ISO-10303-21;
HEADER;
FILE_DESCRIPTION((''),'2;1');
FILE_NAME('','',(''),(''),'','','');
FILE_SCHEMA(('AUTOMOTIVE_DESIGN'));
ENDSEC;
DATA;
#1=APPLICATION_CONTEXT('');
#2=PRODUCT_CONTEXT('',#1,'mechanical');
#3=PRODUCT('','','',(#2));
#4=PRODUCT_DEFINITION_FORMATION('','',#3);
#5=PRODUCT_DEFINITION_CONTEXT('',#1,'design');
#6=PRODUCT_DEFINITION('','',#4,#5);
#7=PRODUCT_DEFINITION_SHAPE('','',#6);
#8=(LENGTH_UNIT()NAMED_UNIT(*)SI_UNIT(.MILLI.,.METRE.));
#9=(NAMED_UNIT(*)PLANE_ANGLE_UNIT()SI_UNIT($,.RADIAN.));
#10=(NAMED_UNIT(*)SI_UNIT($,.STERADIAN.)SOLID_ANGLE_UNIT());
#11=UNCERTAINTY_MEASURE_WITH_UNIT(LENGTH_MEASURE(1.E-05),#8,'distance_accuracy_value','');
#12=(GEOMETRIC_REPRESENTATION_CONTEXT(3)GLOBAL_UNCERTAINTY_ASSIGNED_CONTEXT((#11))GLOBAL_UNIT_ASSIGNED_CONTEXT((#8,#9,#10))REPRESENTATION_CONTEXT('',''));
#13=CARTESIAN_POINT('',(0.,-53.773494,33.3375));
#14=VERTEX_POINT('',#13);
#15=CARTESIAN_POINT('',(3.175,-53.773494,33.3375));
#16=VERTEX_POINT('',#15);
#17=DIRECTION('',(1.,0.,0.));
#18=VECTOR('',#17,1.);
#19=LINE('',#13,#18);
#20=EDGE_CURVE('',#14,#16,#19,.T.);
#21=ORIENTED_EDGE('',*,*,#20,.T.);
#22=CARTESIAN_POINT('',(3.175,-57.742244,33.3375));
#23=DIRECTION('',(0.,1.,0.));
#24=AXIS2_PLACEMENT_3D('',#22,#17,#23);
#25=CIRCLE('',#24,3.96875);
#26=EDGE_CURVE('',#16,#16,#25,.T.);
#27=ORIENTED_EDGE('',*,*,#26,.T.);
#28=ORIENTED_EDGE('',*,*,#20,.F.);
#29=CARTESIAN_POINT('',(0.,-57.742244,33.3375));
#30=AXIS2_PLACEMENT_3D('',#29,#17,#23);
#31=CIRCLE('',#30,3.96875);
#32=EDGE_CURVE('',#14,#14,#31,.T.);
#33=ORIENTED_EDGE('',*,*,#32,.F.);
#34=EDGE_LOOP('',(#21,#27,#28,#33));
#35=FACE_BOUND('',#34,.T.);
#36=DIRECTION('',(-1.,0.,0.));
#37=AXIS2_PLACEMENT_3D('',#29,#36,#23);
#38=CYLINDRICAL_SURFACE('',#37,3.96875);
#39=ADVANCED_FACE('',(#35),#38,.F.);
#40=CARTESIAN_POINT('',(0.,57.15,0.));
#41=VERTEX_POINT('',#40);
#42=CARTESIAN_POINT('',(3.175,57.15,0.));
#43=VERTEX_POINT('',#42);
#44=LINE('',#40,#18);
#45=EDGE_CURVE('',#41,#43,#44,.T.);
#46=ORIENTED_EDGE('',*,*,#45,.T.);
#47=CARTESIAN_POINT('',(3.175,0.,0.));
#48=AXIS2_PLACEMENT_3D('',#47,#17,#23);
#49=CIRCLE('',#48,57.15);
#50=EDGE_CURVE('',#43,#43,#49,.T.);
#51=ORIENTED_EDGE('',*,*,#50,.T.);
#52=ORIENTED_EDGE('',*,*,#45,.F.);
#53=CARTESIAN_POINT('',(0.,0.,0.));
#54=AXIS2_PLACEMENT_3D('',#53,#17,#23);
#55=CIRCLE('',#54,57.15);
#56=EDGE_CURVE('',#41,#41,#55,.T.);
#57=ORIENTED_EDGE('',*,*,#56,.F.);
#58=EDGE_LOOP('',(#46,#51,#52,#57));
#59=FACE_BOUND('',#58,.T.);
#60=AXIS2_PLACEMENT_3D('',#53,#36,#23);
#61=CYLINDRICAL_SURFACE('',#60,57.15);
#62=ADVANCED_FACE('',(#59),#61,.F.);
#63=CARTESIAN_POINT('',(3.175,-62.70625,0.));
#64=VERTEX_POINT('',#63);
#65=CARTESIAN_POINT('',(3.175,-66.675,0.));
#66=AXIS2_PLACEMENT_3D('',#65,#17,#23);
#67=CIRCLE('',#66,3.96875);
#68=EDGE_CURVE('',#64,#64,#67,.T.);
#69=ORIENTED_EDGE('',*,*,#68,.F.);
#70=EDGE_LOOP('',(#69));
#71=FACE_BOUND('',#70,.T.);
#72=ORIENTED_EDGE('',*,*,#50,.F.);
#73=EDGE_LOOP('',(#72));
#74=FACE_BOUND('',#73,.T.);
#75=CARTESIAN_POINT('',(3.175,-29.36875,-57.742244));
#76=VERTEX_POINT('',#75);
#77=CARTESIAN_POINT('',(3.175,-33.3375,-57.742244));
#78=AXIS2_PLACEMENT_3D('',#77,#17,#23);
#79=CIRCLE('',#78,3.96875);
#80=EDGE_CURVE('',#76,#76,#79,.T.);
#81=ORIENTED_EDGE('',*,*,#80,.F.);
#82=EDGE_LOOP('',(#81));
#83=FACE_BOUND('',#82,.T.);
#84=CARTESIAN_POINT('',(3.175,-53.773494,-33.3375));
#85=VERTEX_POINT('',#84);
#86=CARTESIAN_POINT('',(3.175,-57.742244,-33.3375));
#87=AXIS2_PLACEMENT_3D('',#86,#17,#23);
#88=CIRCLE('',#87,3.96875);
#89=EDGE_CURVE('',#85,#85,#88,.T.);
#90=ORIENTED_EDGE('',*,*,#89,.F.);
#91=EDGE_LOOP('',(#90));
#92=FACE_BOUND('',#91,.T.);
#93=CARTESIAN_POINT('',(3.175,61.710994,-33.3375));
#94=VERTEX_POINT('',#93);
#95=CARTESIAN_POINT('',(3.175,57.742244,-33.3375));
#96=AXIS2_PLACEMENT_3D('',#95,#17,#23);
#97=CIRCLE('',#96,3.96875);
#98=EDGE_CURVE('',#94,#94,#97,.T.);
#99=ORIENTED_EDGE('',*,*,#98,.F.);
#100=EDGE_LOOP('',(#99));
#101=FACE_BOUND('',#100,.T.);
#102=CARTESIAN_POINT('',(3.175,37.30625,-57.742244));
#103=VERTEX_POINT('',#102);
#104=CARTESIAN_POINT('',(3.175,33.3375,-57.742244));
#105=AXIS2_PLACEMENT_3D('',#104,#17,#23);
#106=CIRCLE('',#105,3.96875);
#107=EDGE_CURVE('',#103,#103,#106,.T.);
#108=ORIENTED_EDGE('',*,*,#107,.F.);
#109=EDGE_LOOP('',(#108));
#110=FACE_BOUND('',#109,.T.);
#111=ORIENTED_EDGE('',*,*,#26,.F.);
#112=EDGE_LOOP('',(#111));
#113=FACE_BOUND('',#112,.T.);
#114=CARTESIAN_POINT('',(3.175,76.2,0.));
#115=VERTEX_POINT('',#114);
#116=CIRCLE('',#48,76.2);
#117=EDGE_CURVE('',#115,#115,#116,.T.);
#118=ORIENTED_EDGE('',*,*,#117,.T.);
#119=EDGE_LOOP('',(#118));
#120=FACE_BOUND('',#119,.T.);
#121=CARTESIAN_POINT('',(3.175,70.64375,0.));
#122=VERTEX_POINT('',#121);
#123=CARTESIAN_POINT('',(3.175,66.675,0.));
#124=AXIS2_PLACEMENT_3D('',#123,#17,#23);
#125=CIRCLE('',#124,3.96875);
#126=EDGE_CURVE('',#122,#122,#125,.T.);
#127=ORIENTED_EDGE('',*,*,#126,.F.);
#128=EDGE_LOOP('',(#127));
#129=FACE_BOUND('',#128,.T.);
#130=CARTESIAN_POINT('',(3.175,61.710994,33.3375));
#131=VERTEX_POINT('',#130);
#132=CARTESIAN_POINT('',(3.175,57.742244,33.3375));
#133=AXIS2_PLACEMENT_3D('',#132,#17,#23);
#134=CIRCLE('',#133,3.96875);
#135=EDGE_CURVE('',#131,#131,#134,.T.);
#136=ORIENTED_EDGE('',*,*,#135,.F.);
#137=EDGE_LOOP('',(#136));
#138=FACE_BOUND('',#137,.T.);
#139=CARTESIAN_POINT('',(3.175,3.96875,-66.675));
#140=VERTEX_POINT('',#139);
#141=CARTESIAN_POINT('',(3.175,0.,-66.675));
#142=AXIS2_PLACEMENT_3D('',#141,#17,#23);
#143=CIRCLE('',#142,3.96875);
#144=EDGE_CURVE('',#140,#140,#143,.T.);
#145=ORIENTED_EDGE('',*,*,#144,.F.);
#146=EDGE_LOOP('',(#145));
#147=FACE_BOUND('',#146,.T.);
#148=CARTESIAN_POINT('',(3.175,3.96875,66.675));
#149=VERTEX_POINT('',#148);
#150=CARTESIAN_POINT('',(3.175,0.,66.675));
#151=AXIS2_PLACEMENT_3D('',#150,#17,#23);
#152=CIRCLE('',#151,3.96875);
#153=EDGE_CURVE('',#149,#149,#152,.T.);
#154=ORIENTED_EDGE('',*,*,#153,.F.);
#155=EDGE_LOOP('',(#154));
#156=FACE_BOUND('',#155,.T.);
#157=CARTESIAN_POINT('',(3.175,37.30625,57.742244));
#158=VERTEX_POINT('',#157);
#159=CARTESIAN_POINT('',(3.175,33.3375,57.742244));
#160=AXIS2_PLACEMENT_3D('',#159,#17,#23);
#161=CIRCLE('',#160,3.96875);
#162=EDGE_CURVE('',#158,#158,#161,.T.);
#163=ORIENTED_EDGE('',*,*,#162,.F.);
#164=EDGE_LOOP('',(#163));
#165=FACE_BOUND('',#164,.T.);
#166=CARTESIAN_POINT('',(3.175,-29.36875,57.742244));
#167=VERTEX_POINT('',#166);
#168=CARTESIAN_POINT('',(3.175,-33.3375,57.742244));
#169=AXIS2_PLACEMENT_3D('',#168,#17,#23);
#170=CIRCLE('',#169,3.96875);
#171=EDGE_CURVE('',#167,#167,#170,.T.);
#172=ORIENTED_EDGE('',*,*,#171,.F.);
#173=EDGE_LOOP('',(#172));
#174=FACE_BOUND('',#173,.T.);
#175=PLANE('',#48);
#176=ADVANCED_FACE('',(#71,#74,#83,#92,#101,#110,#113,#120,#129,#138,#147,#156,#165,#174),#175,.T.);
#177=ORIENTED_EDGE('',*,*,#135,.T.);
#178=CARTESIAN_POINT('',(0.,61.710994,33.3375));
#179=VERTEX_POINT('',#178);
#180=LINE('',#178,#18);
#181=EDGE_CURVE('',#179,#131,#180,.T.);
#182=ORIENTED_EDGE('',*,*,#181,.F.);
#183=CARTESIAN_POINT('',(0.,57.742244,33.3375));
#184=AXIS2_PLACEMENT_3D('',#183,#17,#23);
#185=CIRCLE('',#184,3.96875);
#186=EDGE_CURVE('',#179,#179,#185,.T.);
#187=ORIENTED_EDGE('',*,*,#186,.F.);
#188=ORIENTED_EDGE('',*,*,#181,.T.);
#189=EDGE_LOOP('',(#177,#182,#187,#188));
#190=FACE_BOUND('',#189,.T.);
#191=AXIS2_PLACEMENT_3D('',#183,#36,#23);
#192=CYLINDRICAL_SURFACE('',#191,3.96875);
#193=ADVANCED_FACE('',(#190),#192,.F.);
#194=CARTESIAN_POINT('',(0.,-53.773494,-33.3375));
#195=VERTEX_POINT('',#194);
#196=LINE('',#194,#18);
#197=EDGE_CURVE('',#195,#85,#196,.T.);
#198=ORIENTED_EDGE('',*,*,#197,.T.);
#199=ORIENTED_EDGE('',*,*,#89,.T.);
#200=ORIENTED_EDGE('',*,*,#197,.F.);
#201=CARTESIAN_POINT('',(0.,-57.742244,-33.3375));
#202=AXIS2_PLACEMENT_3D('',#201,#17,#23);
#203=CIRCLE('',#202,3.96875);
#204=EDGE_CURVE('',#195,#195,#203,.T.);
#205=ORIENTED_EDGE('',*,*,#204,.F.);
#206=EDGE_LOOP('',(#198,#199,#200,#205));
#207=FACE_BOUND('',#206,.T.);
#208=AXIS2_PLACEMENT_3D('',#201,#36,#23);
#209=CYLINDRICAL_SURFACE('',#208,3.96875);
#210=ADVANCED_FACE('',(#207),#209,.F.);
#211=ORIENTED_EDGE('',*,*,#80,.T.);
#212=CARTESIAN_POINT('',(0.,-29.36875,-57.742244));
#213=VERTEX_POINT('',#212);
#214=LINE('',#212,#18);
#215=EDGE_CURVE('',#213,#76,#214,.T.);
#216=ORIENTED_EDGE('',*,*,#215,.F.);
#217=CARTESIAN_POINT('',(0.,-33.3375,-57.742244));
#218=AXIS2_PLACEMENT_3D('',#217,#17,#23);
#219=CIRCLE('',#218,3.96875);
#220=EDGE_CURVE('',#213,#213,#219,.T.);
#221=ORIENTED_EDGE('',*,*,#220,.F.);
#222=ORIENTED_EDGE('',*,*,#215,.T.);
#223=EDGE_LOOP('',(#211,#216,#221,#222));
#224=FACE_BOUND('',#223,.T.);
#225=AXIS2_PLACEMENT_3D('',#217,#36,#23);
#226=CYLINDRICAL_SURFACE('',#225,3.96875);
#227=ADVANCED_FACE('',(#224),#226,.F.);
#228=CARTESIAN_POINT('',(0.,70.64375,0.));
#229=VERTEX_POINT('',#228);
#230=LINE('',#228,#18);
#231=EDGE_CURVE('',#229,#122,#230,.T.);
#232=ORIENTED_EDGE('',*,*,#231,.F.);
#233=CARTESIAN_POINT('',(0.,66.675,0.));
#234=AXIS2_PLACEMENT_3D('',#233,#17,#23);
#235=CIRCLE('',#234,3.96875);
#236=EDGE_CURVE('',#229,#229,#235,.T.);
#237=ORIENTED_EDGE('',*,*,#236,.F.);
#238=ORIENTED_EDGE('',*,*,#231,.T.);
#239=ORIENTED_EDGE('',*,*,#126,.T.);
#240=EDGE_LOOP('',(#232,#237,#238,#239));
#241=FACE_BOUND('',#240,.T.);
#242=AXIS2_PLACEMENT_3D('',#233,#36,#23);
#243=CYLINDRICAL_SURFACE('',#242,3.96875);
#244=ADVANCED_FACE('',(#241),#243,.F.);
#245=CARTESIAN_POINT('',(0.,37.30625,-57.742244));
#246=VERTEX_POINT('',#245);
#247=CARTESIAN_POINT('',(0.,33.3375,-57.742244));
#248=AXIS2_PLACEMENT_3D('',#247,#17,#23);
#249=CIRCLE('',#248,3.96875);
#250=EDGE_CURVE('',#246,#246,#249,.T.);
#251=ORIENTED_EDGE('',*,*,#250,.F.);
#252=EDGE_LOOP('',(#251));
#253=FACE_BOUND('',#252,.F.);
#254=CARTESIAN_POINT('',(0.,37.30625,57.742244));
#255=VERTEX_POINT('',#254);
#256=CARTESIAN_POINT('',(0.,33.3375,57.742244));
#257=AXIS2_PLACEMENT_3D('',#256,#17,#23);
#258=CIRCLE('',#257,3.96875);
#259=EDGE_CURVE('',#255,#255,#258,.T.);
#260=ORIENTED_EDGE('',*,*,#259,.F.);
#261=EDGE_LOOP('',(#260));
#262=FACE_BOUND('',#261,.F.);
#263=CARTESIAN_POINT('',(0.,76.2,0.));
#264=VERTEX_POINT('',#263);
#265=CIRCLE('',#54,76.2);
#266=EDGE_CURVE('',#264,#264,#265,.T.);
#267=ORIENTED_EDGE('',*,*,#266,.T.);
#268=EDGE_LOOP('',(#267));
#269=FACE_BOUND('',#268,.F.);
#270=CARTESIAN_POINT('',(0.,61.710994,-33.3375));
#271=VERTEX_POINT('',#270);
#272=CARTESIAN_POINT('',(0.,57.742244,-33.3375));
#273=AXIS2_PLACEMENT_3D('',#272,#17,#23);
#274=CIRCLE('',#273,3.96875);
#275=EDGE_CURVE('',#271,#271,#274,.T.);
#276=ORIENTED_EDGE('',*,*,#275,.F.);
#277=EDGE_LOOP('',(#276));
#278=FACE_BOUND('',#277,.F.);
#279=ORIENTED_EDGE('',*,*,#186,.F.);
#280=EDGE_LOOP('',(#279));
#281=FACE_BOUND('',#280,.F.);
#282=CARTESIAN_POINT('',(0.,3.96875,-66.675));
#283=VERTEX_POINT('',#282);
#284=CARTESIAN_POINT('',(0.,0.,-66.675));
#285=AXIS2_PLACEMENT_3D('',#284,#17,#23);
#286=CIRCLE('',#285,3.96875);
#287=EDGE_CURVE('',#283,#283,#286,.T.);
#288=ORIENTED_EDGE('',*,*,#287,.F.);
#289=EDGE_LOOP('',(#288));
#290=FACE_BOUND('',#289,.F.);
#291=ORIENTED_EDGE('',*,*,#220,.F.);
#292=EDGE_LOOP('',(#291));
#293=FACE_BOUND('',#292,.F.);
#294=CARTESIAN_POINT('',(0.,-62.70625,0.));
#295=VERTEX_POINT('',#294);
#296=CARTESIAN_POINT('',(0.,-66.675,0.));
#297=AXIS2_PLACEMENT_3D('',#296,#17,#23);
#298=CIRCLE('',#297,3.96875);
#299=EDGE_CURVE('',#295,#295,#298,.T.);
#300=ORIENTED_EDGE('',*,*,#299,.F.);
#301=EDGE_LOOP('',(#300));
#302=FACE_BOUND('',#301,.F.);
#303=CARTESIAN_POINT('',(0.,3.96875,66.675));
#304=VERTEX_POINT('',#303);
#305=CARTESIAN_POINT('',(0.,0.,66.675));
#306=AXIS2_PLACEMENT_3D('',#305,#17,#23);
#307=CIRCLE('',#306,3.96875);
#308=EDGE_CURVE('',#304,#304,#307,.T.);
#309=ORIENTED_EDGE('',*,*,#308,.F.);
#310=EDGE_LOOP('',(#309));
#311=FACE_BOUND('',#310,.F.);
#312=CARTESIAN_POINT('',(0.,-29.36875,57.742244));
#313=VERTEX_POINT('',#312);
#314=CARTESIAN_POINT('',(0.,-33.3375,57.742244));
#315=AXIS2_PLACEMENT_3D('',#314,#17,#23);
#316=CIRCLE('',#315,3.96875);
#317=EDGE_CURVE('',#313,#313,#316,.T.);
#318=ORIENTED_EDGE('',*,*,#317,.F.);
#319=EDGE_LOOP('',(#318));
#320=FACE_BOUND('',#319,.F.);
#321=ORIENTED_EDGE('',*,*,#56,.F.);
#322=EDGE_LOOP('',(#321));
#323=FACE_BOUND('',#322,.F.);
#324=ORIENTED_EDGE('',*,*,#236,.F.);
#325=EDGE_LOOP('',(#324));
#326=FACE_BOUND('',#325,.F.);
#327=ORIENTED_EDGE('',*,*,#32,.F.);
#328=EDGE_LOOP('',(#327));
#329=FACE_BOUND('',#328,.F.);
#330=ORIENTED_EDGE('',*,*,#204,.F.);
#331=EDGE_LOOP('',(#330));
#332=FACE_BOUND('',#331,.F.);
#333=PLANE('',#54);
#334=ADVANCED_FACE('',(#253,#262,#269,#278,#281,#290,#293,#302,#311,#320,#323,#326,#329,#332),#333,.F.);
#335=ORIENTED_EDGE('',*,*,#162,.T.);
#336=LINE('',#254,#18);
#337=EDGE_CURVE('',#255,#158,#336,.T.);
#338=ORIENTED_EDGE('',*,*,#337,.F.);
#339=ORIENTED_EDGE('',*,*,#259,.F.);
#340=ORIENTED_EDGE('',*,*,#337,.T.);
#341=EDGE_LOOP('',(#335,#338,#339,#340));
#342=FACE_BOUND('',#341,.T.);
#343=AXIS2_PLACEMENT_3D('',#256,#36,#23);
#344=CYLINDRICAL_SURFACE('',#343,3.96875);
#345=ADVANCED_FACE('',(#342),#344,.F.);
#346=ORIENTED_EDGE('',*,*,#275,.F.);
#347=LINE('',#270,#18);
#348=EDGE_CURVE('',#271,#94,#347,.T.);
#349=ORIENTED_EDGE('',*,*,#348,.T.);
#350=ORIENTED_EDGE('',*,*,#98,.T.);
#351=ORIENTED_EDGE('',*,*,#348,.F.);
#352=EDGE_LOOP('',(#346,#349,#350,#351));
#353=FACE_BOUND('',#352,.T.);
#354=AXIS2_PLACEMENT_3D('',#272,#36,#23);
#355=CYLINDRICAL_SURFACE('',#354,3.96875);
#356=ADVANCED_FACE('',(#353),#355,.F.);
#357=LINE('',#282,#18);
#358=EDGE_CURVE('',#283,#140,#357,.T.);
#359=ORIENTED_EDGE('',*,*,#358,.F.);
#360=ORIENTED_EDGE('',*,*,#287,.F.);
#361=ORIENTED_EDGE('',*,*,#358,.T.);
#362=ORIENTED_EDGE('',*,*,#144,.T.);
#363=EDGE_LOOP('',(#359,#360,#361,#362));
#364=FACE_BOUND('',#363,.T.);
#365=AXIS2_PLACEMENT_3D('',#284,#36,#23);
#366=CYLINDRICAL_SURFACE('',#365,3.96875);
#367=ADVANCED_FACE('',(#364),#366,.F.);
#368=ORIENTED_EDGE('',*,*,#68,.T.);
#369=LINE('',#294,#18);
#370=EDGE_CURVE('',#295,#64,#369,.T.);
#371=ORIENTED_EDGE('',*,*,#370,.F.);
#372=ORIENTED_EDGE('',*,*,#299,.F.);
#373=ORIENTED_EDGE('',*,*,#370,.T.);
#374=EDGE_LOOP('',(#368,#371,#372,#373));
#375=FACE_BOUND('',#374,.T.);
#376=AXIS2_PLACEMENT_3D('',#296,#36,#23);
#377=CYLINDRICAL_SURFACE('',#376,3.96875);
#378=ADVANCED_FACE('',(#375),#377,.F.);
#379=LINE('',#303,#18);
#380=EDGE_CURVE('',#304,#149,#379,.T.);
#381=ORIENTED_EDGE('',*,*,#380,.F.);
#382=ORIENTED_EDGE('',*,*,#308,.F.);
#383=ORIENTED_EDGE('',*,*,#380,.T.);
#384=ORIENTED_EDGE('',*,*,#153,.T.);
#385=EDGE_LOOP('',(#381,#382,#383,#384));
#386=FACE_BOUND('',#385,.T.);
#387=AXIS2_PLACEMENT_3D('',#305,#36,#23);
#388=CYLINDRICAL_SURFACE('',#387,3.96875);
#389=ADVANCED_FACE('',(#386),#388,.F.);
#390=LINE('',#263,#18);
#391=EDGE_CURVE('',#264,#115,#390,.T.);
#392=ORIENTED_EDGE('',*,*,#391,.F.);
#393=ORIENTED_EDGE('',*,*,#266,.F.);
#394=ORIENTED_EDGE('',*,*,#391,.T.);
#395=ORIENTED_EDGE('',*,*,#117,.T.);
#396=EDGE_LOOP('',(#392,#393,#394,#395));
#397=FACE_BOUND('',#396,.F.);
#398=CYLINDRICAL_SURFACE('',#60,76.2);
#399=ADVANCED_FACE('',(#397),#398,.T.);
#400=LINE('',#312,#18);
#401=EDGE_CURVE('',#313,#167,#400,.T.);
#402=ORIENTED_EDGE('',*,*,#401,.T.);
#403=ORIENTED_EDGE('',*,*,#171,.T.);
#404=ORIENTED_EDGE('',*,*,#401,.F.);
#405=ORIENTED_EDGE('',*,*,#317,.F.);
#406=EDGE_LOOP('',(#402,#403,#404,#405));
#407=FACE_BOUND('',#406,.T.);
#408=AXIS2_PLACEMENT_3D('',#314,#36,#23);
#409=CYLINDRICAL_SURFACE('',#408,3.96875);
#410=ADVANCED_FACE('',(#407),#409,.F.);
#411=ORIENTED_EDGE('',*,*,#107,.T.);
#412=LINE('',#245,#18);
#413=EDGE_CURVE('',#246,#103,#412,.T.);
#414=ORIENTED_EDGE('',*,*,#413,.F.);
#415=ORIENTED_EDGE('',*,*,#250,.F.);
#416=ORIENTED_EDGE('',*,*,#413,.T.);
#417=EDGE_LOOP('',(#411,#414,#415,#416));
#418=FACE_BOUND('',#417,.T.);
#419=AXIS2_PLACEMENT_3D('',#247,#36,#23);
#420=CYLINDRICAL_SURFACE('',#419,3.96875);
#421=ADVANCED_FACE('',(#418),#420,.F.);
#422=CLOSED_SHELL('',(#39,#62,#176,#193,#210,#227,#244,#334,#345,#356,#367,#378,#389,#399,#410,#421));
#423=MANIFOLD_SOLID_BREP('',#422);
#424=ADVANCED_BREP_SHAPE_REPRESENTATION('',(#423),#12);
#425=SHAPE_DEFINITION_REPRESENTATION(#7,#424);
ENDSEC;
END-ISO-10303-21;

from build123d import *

# Parameters (mm, degrees)
F0_R     = 76.2
F0_R_2   = 3.96875
F0_R_3   = 57.15
F1_DEPTH = 3.175


with BuildPart() as f1:
    # F0 (on Right) → F1 (new body)
    with BuildSketch(Plane.YZ):
        Circle(F0_R)
        with Locations((-33.3375, -57.742244)):
            Circle(F0_R_2, mode=Mode.SUBTRACT)
        with Locations((-57.742244, -33.3375)):
            Circle(F0_R_2, mode=Mode.SUBTRACT)
        with Locations((0, -66.675)):
            Circle(F0_R_2, mode=Mode.SUBTRACT)
        with Locations((33.3375, -57.742244)):
            Circle(F0_R_2, mode=Mode.SUBTRACT)
        with Locations((57.742244, -33.3375)):
            Circle(F0_R_2, mode=Mode.SUBTRACT)
        with Locations((-66.675, 0)):
            Circle(F0_R_2, mode=Mode.SUBTRACT)
        with Locations((-57.742244, 33.3375)):
            Circle(F0_R_2, mode=Mode.SUBTRACT)
        with Locations((-33.3375, 57.742244)):
            Circle(F0_R_2, mode=Mode.SUBTRACT)
        Circle(F0_R_3, mode=Mode.SUBTRACT)
        with Locations((66.675, 0)):
            Circle(F0_R_2, mode=Mode.SUBTRACT)
        with Locations((57.742244, 33.3375)):
            Circle(F0_R_2, mode=Mode.SUBTRACT)
        with Locations((0, 66.675)):
            Circle(F0_R_2, mode=Mode.SUBTRACT)
        with Locations((33.3375, 57.742244)):
            Circle(F0_R_2, mode=Mode.SUBTRACT)
    extrude(amount=F1_DEPTH)


solid = f1.part
